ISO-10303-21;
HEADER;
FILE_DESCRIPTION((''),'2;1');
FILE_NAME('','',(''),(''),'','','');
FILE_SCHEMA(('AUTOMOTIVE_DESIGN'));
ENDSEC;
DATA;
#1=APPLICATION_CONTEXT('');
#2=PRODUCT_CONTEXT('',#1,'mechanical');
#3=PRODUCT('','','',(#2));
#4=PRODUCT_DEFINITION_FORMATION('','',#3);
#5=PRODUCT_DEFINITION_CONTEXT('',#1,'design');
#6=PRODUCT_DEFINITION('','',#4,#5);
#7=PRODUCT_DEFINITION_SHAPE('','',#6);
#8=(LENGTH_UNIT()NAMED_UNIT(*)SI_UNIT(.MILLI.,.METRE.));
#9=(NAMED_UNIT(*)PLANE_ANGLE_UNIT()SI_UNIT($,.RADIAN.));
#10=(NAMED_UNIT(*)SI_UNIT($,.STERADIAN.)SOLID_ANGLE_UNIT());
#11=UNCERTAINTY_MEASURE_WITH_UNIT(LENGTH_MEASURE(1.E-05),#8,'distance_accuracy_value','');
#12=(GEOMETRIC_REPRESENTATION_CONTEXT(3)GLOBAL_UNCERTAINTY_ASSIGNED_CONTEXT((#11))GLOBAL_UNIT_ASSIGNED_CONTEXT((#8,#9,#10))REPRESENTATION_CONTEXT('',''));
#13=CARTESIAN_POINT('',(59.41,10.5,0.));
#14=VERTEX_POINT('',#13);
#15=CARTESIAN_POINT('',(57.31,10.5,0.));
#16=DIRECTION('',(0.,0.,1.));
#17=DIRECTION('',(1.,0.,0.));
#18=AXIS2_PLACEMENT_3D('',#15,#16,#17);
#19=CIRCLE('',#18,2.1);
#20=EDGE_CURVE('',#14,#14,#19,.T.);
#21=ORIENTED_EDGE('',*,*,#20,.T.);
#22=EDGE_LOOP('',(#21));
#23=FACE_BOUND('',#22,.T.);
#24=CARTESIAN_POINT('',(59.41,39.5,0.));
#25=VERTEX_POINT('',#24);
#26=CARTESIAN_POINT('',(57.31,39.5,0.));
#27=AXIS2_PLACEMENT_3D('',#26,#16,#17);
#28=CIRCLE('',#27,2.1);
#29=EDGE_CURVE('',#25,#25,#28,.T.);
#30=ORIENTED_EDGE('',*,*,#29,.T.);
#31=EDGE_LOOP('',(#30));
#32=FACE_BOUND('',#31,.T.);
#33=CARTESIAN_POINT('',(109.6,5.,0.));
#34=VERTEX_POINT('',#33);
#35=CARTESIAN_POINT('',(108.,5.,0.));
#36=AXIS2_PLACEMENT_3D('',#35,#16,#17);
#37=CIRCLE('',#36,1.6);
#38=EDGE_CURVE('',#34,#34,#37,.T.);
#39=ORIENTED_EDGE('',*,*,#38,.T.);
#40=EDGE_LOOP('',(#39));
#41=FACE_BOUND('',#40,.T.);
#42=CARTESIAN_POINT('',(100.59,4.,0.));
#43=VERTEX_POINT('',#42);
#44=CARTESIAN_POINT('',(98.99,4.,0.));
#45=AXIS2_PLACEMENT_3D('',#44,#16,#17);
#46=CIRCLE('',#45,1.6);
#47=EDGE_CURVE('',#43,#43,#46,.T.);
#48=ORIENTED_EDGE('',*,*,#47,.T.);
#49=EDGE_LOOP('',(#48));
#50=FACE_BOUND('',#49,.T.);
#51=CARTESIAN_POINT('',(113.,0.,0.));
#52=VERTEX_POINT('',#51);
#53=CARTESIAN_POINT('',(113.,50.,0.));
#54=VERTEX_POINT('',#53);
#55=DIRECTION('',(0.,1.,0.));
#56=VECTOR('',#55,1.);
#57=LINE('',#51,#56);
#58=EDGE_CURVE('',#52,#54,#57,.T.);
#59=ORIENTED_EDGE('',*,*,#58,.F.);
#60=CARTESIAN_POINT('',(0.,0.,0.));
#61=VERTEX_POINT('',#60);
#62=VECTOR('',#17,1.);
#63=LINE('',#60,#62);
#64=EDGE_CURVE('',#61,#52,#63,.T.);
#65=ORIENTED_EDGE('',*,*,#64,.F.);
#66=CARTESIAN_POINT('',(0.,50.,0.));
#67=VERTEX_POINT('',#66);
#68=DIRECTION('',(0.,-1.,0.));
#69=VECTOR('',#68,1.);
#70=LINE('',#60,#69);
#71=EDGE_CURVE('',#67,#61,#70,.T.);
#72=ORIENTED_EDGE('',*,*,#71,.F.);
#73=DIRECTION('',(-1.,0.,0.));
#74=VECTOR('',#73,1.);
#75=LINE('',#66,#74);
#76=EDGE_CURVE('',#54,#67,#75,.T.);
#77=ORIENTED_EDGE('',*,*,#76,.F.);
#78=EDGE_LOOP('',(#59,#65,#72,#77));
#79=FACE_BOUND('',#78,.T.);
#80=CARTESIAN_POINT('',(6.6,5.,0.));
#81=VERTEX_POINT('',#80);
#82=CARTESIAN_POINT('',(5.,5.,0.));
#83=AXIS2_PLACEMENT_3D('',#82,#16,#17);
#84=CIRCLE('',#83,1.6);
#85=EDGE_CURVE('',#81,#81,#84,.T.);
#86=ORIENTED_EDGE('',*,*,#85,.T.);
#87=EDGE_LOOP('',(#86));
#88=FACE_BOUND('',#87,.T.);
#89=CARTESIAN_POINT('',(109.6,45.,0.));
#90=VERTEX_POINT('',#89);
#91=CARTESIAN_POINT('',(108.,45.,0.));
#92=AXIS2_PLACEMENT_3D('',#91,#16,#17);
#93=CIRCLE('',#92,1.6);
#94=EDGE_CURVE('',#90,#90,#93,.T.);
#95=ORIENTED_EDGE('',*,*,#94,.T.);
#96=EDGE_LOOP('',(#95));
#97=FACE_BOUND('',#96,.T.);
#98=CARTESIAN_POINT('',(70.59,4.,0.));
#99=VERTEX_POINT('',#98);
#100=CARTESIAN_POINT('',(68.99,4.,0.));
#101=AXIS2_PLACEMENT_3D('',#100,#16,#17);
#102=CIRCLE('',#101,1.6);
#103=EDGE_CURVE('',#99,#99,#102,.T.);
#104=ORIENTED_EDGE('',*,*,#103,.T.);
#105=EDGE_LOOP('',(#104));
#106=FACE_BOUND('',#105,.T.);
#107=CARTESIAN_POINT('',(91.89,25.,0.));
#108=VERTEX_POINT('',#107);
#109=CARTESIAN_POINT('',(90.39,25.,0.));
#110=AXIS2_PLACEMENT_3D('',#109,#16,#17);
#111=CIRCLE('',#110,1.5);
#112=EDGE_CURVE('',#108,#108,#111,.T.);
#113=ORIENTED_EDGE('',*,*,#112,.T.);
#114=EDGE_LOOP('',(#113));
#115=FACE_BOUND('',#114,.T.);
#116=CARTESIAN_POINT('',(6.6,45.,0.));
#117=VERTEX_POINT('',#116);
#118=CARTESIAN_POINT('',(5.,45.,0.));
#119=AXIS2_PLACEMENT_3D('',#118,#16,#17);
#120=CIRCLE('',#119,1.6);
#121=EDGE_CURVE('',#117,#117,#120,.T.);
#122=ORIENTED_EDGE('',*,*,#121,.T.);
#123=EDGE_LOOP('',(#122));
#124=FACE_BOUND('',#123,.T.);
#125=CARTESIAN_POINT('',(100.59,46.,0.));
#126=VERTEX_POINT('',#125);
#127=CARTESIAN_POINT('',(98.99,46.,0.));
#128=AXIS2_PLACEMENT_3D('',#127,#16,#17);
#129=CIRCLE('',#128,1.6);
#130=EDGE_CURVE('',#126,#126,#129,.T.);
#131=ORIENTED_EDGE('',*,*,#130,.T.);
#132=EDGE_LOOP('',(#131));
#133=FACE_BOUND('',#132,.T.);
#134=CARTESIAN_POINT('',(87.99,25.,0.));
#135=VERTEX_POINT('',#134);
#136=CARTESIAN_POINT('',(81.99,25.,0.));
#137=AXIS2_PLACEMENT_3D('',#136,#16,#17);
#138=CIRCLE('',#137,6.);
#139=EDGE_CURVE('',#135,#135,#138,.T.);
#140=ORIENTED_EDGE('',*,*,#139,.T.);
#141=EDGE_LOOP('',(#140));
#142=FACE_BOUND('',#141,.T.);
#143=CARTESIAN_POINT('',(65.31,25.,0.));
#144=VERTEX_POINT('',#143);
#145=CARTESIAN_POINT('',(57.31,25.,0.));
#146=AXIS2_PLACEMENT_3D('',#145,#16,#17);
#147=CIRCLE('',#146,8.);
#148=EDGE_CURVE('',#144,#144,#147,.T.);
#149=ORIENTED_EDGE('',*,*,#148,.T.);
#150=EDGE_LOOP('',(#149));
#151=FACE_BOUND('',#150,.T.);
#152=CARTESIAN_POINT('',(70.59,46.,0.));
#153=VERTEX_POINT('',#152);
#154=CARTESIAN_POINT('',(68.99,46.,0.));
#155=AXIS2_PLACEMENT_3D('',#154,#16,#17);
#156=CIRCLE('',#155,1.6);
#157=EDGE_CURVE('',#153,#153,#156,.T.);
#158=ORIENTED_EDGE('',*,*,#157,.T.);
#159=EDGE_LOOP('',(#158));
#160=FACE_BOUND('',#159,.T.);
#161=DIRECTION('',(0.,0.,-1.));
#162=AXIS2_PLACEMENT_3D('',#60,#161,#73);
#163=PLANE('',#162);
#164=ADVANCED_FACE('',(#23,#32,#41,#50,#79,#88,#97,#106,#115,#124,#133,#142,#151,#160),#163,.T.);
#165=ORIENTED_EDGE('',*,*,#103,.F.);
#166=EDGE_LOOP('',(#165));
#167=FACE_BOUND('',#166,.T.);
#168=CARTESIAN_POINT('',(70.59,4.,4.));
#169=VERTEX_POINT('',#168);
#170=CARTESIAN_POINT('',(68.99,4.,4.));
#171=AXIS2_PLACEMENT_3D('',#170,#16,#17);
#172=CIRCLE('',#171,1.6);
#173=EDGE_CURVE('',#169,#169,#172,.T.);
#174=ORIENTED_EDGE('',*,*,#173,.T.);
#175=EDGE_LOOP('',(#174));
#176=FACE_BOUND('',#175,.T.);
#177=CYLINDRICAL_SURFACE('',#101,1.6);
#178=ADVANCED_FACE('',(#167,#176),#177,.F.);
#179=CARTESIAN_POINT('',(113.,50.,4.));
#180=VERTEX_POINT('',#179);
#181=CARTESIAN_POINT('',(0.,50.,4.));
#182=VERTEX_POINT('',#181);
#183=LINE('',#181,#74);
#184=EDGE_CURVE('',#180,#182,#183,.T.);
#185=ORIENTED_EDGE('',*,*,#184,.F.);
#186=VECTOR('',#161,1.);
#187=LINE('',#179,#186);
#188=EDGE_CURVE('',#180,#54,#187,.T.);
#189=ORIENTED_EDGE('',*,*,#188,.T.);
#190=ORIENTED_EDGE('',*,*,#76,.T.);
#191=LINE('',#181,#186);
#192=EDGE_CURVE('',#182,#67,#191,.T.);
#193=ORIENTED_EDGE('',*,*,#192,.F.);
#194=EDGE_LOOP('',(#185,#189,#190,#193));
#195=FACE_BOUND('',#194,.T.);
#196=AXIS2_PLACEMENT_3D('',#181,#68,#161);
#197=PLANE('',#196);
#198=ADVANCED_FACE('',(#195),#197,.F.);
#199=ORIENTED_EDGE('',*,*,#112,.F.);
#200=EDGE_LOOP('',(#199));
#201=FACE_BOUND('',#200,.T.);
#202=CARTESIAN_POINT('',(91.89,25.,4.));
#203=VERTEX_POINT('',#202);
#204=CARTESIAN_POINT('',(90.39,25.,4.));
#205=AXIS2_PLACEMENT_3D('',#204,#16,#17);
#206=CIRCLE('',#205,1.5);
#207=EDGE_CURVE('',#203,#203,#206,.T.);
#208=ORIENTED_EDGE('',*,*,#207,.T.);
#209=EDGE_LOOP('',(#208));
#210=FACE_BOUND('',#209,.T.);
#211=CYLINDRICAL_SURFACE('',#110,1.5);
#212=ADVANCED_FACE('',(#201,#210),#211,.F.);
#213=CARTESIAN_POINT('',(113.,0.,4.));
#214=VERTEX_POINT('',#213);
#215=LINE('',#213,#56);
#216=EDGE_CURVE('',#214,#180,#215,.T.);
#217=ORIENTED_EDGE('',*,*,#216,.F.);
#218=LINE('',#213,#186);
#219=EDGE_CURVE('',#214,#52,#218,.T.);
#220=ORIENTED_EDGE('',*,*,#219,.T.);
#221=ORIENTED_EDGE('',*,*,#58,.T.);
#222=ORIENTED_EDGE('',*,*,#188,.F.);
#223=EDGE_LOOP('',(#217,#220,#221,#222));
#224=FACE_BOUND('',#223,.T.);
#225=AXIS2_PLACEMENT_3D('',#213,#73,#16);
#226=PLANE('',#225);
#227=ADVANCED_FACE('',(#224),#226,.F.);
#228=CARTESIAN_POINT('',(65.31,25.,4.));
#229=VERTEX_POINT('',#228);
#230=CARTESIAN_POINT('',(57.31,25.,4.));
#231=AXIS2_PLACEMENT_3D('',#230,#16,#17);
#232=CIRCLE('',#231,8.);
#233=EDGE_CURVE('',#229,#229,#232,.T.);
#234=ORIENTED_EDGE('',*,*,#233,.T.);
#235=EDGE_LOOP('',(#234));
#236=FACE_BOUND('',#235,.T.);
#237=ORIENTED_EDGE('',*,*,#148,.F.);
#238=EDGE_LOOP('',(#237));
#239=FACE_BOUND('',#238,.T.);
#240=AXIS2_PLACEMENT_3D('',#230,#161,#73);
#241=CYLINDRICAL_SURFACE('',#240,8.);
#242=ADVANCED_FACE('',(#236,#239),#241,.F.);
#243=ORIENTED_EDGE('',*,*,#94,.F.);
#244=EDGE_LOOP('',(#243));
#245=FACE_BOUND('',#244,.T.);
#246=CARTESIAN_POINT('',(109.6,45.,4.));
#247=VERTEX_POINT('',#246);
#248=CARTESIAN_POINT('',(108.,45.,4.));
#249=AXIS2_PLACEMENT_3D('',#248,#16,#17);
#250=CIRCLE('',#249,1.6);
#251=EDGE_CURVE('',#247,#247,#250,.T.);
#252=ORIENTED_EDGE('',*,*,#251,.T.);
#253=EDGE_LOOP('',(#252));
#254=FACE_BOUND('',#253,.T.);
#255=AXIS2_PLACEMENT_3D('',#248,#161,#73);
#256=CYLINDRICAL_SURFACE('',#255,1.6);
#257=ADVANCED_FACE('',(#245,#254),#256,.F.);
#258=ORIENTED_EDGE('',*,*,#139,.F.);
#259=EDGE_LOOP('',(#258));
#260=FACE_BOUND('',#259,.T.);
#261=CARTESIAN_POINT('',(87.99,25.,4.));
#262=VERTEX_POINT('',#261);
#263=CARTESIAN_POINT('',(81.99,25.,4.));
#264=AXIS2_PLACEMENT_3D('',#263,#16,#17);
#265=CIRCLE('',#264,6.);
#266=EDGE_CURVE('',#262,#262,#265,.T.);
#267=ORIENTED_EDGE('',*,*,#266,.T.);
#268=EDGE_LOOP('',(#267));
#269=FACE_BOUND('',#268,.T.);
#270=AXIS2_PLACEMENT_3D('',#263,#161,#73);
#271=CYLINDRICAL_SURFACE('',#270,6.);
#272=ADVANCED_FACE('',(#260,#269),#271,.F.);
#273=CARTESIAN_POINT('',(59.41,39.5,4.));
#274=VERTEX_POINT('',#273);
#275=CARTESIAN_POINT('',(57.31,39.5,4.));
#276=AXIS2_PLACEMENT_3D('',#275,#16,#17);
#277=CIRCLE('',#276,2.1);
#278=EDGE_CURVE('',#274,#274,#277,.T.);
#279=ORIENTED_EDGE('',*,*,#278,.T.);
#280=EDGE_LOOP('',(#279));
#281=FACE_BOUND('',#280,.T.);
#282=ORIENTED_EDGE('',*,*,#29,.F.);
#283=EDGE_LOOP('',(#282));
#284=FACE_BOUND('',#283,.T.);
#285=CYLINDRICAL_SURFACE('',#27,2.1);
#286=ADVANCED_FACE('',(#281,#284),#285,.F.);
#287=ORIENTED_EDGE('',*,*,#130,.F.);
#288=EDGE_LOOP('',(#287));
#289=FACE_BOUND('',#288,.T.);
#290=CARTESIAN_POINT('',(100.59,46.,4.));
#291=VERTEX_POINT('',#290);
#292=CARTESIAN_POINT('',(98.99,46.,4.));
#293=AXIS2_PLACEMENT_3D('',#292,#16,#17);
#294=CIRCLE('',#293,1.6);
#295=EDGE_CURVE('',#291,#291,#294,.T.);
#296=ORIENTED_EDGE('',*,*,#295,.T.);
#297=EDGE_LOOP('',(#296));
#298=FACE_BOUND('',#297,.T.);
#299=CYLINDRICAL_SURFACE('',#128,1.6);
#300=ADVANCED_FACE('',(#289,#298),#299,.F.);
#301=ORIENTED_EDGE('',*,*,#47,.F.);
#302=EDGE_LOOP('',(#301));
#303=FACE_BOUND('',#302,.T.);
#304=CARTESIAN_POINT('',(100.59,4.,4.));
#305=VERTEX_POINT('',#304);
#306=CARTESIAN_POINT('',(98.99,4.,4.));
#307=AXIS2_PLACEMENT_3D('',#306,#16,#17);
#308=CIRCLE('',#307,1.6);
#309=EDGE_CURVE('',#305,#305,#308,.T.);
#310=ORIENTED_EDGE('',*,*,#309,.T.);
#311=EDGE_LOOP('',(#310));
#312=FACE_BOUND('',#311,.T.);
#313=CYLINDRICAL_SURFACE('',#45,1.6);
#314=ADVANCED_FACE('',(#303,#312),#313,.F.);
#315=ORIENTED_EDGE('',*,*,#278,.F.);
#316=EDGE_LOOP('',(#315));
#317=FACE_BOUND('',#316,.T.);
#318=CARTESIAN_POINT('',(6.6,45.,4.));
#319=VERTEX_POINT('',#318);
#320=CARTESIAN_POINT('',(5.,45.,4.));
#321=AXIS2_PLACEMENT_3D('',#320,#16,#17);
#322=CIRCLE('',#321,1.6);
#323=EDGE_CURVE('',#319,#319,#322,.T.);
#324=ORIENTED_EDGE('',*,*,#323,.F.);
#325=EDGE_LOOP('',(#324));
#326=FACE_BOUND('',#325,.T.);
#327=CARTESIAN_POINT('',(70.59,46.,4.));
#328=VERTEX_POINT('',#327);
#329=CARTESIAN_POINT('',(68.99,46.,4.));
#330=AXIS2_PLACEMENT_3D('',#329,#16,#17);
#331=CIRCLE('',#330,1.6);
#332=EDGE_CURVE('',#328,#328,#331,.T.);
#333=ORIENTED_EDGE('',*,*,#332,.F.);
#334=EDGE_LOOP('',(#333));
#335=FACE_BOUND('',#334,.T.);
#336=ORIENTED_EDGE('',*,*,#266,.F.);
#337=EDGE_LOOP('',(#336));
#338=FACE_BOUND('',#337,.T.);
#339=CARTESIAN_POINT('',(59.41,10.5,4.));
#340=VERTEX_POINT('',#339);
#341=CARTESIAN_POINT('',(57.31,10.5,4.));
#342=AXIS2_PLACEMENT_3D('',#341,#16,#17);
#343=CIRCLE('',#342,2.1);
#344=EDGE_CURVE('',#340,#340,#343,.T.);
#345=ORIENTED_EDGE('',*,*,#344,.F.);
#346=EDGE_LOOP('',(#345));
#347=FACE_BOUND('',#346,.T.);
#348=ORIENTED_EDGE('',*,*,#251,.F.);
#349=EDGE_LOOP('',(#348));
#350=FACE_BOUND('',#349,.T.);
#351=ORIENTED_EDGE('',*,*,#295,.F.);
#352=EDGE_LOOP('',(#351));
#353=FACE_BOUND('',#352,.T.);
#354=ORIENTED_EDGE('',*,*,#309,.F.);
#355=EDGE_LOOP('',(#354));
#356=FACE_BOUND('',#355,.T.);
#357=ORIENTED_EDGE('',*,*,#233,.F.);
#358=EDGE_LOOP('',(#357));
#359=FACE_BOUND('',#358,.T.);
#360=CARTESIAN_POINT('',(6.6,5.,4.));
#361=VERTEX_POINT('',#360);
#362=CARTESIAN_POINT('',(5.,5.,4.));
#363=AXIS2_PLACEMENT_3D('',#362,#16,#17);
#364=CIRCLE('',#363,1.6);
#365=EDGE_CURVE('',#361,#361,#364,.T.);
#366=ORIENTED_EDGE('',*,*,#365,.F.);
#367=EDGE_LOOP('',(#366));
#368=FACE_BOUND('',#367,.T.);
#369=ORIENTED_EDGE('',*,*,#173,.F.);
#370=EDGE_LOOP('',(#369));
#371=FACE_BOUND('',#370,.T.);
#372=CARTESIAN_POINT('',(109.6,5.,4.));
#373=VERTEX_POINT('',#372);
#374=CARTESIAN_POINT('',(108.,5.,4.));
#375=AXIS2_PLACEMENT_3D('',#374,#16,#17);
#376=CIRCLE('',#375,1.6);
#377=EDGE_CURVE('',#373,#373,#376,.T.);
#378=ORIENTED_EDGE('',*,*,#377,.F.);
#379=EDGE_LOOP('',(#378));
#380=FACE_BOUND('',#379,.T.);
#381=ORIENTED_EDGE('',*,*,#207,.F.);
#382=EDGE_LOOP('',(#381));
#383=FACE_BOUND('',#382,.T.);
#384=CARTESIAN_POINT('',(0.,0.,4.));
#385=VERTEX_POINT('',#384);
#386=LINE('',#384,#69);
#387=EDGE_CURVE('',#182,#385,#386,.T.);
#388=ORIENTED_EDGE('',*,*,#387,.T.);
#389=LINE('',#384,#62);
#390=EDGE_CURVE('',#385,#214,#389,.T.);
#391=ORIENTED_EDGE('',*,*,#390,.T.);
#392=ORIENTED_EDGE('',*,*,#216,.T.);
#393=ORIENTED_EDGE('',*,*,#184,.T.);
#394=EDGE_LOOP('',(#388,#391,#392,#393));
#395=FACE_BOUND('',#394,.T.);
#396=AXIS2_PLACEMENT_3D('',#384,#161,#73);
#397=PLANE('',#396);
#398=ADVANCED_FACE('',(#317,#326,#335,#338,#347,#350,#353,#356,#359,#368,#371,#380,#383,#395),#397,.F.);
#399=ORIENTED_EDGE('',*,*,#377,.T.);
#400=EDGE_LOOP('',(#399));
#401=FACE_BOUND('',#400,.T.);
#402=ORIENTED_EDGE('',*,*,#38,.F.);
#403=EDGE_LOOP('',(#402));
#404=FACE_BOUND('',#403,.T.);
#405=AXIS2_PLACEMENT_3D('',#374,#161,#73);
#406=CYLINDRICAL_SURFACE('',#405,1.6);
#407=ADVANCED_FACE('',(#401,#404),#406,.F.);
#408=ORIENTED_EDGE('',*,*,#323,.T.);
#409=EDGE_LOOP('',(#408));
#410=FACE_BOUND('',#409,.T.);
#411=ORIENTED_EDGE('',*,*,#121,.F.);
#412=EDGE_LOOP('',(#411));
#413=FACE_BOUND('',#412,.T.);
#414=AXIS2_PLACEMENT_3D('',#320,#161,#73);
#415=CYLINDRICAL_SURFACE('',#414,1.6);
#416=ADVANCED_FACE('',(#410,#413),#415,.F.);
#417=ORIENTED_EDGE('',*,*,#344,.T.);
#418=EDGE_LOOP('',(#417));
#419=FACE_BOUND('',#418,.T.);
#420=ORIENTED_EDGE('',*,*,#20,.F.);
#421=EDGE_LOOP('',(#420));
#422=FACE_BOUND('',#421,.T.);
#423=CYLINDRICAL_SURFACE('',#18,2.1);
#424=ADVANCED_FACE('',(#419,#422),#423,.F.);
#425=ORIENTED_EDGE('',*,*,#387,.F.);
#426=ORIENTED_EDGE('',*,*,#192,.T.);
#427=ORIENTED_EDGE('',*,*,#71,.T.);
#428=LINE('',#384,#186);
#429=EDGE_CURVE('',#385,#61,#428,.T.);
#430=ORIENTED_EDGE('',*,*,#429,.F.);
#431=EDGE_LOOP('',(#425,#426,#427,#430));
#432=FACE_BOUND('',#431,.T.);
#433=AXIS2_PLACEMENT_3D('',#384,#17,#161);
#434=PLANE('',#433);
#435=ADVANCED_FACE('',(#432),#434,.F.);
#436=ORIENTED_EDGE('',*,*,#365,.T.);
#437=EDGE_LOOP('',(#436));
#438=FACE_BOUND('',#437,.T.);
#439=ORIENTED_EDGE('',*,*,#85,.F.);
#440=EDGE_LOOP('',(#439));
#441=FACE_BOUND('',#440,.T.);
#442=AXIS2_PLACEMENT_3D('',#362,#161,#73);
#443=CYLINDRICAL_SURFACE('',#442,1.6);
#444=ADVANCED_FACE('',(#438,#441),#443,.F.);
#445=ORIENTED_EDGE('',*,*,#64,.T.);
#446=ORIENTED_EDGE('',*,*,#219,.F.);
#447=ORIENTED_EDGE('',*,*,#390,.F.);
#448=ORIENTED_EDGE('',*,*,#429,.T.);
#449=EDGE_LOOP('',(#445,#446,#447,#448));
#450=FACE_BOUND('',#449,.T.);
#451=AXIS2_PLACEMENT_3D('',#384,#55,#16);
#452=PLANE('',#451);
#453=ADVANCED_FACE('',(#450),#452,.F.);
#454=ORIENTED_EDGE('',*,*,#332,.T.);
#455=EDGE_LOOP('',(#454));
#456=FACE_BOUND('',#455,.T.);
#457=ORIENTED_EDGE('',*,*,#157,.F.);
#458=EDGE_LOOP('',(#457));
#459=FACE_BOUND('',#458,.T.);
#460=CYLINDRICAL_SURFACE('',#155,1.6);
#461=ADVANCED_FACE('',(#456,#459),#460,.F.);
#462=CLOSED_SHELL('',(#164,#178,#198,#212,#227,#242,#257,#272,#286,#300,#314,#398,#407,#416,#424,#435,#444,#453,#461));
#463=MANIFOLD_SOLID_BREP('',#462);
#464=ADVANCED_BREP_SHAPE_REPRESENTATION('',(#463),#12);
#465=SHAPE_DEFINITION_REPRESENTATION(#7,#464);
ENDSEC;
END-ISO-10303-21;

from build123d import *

# Parameters (mm, degrees)
SKETCH_1_W          = 113
SKETCH_1_H          = 50
SKETCH_1_R          = 1.6
SKETCH_1_R_2        = 8
SKETCH_1_R_3        = 6
EXTRUDE_1_DEPTH     = 4
SKETCH_2_R          = 1.5
SKETCH_2_R_2        = 1.6
SKETCH_2_R_3        = 2.1
CUT_EXTRUDE_1_DEPTH = 124.632519994


with BuildPart() as part:
    # ｽｹｯﾁ1 → ﾎﾞｽ - 押し出し1 (new body)
    with BuildSketch(Plane.XY):
        with Locations((56.5, 25)):
            Rectangle(SKETCH_1_W, SKETCH_1_H)
        with Locations((5, 45)):
            Circle(SKETCH_1_R, mode=Mode.SUBTRACT)
        with Locations((5, 5)):
            Circle(SKETCH_1_R, mode=Mode.SUBTRACT)
        with Locations((108, 45)):
            Circle(SKETCH_1_R, mode=Mode.SUBTRACT)
        with Locations((108, 5)):
            Circle(SKETCH_1_R, mode=Mode.SUBTRACT)
        with Locations((57.31, 25)):
            Circle(SKETCH_1_R_2, mode=Mode.SUBTRACT)
        with Locations((81.99, 25)):
            Circle(SKETCH_1_R_3, mode=Mode.SUBTRACT)
    extrude(amount=EXTRUDE_1_DEPTH)

    # ｽｹｯﾁ2 → ｶｯﾄ - 押し出し1 (cut, through all)
    with BuildSketch(Plane.XY.offset(4)):
        with Locations((90.39, 25)):
            Circle(SKETCH_2_R)
        with Locations((98.99, 46)):
            Circle(SKETCH_2_R_2)
        with Locations((98.99, 4)):
            Circle(SKETCH_2_R_2)
        with Locations((68.99, 4)):
            Circle(SKETCH_2_R_2)
        with Locations((68.99, 46)):
            Circle(SKETCH_2_R_2)
        with Locations((57.31, 39.5)):
            Circle(SKETCH_2_R_3)
        with Locations((57.31, 10.5)):
            Circle(SKETCH_2_R_3)
    extrude(amount=-CUT_EXTRUDE_1_DEPTH, mode=Mode.SUBTRACT)


solid = part.part
